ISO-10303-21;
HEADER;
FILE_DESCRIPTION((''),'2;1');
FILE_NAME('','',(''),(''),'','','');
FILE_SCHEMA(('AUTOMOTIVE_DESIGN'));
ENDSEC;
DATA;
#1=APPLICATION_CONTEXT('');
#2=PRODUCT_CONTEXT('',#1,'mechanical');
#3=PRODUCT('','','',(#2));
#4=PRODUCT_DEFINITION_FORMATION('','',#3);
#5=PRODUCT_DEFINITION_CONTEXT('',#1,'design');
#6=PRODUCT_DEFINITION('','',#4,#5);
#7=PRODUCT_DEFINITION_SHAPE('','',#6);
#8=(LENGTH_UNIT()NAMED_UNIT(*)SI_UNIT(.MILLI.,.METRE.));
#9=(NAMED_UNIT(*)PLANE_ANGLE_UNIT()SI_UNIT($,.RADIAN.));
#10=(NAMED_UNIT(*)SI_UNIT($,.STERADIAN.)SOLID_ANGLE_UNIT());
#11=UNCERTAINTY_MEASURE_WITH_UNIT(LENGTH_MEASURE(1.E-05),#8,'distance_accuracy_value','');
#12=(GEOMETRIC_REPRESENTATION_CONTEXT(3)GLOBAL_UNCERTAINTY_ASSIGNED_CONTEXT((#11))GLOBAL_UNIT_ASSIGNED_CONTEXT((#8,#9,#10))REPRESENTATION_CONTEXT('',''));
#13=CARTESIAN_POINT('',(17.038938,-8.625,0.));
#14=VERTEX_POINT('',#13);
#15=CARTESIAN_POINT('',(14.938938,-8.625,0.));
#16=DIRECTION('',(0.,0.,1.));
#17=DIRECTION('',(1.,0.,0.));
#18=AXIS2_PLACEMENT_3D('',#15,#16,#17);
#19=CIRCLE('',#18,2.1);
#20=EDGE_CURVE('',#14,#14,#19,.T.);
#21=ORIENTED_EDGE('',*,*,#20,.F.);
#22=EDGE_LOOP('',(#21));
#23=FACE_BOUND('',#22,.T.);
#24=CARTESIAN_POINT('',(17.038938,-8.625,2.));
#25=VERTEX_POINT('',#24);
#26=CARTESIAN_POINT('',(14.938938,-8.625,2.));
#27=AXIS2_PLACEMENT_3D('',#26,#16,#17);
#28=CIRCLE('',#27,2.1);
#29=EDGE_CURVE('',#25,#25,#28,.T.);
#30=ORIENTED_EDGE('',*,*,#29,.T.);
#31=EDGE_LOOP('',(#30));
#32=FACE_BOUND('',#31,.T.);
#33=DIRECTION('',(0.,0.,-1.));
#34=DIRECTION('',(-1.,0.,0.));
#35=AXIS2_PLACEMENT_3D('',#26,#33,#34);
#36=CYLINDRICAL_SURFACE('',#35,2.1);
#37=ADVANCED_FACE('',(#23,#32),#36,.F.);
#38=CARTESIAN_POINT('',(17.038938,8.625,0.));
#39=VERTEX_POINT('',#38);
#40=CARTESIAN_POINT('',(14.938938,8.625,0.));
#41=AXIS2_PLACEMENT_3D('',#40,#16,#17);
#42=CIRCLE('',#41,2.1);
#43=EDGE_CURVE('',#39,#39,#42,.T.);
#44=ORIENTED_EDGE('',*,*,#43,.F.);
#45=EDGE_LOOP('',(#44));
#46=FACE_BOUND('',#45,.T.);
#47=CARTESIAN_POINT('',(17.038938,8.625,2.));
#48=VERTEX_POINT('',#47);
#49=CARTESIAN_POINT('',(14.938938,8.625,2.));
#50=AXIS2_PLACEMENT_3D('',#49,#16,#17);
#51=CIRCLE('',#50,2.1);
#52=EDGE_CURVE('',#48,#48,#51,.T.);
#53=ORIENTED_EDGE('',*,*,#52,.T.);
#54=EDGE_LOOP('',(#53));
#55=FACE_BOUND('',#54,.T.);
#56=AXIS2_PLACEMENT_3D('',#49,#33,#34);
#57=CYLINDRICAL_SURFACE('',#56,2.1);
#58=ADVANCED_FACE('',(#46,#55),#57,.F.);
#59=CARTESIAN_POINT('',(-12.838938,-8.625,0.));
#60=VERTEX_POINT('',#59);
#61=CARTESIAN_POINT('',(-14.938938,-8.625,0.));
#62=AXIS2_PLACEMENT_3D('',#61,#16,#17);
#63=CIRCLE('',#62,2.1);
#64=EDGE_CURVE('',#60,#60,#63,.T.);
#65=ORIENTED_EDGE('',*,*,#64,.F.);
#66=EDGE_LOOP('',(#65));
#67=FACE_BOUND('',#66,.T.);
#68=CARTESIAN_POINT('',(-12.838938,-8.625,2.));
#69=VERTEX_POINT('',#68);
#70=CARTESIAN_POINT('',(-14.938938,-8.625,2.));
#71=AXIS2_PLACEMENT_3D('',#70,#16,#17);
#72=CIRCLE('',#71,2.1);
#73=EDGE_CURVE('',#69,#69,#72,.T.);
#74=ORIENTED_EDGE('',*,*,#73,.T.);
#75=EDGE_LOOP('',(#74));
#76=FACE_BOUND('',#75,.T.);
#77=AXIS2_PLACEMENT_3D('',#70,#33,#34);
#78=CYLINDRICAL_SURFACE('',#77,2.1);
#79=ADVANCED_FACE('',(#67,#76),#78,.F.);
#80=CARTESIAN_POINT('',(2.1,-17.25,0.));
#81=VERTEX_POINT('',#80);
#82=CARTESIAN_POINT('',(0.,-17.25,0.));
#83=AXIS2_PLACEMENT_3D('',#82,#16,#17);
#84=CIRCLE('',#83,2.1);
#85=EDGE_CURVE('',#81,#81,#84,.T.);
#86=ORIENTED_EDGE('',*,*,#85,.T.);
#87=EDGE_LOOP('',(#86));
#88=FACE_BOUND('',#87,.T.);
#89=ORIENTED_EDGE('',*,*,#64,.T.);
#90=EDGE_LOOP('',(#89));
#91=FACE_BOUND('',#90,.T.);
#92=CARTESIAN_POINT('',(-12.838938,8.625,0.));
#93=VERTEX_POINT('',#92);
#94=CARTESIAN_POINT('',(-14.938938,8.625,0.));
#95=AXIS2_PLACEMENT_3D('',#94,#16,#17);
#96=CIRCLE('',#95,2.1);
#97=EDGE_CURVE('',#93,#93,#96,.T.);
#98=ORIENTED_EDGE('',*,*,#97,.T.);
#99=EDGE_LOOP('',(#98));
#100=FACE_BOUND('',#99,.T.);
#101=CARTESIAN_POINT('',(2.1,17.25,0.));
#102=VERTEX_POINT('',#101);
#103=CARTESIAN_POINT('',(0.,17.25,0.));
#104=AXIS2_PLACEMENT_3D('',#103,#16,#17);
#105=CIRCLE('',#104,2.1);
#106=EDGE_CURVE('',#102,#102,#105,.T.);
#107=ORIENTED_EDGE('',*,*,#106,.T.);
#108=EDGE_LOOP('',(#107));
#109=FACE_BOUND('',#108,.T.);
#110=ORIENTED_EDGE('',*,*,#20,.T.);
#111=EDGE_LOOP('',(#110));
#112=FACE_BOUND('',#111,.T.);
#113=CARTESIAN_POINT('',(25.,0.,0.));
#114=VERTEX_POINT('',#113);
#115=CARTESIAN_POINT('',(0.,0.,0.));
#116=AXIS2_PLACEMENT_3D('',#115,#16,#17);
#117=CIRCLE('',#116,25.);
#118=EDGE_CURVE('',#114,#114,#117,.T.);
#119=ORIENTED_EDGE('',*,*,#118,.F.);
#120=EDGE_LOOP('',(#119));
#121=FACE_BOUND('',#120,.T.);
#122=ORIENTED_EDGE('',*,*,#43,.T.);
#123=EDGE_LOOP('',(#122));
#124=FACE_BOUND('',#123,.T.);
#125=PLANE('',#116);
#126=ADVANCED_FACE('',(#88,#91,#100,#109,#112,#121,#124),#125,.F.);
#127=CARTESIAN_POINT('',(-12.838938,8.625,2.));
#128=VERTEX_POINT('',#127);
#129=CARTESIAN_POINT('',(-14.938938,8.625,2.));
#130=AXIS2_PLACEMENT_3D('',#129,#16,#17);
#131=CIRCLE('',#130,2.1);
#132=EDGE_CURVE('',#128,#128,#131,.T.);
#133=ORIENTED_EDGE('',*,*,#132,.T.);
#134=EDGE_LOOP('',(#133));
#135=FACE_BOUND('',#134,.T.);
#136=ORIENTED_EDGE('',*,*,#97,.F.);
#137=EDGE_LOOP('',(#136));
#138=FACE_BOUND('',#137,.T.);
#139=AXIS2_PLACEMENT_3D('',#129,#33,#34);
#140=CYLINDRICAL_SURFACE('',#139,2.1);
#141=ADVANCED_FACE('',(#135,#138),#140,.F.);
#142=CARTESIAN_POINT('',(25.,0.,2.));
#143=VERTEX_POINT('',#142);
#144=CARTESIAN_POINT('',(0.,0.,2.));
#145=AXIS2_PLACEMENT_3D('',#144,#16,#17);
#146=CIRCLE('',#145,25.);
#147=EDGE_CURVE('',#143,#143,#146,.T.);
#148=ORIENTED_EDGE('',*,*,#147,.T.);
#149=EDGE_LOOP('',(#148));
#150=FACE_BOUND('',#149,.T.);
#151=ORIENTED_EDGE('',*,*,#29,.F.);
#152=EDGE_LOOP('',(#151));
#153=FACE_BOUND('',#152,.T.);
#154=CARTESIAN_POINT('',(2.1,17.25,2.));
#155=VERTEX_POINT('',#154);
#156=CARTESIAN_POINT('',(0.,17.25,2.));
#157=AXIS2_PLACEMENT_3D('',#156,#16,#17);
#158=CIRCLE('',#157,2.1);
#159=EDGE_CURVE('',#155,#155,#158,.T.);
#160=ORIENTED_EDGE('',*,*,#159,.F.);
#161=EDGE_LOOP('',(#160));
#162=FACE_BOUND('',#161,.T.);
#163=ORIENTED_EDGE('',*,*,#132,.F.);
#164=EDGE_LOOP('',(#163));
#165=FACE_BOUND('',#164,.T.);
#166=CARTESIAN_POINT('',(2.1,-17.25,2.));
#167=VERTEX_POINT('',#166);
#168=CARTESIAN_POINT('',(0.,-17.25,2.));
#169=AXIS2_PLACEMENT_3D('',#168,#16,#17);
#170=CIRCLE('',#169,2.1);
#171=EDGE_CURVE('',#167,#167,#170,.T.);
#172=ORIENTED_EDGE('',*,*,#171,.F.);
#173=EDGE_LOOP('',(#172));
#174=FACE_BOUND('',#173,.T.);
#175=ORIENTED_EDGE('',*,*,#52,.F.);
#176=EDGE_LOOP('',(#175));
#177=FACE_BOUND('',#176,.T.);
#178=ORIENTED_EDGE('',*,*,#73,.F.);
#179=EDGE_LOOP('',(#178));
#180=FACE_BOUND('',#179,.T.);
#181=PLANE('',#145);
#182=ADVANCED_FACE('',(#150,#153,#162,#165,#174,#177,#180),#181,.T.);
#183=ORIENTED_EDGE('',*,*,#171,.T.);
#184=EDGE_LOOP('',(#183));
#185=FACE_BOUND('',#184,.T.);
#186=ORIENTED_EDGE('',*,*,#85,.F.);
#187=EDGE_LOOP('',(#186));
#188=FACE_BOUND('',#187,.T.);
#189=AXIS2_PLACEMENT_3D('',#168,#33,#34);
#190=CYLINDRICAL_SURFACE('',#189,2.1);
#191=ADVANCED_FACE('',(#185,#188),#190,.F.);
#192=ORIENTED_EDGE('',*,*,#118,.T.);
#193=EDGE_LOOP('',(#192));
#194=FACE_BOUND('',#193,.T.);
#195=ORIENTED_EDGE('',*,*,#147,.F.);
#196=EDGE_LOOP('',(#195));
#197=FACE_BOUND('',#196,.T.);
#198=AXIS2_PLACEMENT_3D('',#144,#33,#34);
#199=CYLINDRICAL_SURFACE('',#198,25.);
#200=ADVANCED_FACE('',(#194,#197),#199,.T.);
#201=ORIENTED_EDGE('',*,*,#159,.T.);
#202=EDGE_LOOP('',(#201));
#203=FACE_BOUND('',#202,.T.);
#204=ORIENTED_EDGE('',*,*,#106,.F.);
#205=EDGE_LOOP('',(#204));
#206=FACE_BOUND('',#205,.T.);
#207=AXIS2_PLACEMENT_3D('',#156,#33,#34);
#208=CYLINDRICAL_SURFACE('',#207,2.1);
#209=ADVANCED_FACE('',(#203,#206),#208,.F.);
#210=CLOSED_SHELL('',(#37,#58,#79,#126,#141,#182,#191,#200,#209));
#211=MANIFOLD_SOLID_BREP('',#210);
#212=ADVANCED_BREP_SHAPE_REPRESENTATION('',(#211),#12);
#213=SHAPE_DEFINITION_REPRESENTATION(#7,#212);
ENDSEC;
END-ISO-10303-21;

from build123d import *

# Parameters (mm, degrees)
SKETCH_1_R      = 25
SKETCH_1_R_2    = 2.1
EXTRUDE_1_DEPTH = 2


with BuildPart() as part:
    # 草图1 → 凸台-拉伸1 (new body)
    with BuildSketch(Plane.XY):
        Circle(SKETCH_1_R)
        with Locations((0, 17.25)):
            Circle(SKETCH_1_R_2, mode=Mode.SUBTRACT)
        with Locations((14.938938215, 8.625)):
            Circle(SKETCH_1_R_2, mode=Mode.SUBTRACT)
        with Locations((14.938938215, -8.625)):
            Circle(SKETCH_1_R_2, mode=Mode.SUBTRACT)
        with Locations((0, -17.25)):
            Circle(SKETCH_1_R_2, mode=Mode.SUBTRACT)
        with Locations((-14.938938215, -8.625)):
            Circle(SKETCH_1_R_2, mode=Mode.SUBTRACT)
        with Locations((-14.938938215, 8.625)):
            Circle(SKETCH_1_R_2, mode=Mode.SUBTRACT)
    extrude(amount=EXTRUDE_1_DEPTH)


solid = part.part
